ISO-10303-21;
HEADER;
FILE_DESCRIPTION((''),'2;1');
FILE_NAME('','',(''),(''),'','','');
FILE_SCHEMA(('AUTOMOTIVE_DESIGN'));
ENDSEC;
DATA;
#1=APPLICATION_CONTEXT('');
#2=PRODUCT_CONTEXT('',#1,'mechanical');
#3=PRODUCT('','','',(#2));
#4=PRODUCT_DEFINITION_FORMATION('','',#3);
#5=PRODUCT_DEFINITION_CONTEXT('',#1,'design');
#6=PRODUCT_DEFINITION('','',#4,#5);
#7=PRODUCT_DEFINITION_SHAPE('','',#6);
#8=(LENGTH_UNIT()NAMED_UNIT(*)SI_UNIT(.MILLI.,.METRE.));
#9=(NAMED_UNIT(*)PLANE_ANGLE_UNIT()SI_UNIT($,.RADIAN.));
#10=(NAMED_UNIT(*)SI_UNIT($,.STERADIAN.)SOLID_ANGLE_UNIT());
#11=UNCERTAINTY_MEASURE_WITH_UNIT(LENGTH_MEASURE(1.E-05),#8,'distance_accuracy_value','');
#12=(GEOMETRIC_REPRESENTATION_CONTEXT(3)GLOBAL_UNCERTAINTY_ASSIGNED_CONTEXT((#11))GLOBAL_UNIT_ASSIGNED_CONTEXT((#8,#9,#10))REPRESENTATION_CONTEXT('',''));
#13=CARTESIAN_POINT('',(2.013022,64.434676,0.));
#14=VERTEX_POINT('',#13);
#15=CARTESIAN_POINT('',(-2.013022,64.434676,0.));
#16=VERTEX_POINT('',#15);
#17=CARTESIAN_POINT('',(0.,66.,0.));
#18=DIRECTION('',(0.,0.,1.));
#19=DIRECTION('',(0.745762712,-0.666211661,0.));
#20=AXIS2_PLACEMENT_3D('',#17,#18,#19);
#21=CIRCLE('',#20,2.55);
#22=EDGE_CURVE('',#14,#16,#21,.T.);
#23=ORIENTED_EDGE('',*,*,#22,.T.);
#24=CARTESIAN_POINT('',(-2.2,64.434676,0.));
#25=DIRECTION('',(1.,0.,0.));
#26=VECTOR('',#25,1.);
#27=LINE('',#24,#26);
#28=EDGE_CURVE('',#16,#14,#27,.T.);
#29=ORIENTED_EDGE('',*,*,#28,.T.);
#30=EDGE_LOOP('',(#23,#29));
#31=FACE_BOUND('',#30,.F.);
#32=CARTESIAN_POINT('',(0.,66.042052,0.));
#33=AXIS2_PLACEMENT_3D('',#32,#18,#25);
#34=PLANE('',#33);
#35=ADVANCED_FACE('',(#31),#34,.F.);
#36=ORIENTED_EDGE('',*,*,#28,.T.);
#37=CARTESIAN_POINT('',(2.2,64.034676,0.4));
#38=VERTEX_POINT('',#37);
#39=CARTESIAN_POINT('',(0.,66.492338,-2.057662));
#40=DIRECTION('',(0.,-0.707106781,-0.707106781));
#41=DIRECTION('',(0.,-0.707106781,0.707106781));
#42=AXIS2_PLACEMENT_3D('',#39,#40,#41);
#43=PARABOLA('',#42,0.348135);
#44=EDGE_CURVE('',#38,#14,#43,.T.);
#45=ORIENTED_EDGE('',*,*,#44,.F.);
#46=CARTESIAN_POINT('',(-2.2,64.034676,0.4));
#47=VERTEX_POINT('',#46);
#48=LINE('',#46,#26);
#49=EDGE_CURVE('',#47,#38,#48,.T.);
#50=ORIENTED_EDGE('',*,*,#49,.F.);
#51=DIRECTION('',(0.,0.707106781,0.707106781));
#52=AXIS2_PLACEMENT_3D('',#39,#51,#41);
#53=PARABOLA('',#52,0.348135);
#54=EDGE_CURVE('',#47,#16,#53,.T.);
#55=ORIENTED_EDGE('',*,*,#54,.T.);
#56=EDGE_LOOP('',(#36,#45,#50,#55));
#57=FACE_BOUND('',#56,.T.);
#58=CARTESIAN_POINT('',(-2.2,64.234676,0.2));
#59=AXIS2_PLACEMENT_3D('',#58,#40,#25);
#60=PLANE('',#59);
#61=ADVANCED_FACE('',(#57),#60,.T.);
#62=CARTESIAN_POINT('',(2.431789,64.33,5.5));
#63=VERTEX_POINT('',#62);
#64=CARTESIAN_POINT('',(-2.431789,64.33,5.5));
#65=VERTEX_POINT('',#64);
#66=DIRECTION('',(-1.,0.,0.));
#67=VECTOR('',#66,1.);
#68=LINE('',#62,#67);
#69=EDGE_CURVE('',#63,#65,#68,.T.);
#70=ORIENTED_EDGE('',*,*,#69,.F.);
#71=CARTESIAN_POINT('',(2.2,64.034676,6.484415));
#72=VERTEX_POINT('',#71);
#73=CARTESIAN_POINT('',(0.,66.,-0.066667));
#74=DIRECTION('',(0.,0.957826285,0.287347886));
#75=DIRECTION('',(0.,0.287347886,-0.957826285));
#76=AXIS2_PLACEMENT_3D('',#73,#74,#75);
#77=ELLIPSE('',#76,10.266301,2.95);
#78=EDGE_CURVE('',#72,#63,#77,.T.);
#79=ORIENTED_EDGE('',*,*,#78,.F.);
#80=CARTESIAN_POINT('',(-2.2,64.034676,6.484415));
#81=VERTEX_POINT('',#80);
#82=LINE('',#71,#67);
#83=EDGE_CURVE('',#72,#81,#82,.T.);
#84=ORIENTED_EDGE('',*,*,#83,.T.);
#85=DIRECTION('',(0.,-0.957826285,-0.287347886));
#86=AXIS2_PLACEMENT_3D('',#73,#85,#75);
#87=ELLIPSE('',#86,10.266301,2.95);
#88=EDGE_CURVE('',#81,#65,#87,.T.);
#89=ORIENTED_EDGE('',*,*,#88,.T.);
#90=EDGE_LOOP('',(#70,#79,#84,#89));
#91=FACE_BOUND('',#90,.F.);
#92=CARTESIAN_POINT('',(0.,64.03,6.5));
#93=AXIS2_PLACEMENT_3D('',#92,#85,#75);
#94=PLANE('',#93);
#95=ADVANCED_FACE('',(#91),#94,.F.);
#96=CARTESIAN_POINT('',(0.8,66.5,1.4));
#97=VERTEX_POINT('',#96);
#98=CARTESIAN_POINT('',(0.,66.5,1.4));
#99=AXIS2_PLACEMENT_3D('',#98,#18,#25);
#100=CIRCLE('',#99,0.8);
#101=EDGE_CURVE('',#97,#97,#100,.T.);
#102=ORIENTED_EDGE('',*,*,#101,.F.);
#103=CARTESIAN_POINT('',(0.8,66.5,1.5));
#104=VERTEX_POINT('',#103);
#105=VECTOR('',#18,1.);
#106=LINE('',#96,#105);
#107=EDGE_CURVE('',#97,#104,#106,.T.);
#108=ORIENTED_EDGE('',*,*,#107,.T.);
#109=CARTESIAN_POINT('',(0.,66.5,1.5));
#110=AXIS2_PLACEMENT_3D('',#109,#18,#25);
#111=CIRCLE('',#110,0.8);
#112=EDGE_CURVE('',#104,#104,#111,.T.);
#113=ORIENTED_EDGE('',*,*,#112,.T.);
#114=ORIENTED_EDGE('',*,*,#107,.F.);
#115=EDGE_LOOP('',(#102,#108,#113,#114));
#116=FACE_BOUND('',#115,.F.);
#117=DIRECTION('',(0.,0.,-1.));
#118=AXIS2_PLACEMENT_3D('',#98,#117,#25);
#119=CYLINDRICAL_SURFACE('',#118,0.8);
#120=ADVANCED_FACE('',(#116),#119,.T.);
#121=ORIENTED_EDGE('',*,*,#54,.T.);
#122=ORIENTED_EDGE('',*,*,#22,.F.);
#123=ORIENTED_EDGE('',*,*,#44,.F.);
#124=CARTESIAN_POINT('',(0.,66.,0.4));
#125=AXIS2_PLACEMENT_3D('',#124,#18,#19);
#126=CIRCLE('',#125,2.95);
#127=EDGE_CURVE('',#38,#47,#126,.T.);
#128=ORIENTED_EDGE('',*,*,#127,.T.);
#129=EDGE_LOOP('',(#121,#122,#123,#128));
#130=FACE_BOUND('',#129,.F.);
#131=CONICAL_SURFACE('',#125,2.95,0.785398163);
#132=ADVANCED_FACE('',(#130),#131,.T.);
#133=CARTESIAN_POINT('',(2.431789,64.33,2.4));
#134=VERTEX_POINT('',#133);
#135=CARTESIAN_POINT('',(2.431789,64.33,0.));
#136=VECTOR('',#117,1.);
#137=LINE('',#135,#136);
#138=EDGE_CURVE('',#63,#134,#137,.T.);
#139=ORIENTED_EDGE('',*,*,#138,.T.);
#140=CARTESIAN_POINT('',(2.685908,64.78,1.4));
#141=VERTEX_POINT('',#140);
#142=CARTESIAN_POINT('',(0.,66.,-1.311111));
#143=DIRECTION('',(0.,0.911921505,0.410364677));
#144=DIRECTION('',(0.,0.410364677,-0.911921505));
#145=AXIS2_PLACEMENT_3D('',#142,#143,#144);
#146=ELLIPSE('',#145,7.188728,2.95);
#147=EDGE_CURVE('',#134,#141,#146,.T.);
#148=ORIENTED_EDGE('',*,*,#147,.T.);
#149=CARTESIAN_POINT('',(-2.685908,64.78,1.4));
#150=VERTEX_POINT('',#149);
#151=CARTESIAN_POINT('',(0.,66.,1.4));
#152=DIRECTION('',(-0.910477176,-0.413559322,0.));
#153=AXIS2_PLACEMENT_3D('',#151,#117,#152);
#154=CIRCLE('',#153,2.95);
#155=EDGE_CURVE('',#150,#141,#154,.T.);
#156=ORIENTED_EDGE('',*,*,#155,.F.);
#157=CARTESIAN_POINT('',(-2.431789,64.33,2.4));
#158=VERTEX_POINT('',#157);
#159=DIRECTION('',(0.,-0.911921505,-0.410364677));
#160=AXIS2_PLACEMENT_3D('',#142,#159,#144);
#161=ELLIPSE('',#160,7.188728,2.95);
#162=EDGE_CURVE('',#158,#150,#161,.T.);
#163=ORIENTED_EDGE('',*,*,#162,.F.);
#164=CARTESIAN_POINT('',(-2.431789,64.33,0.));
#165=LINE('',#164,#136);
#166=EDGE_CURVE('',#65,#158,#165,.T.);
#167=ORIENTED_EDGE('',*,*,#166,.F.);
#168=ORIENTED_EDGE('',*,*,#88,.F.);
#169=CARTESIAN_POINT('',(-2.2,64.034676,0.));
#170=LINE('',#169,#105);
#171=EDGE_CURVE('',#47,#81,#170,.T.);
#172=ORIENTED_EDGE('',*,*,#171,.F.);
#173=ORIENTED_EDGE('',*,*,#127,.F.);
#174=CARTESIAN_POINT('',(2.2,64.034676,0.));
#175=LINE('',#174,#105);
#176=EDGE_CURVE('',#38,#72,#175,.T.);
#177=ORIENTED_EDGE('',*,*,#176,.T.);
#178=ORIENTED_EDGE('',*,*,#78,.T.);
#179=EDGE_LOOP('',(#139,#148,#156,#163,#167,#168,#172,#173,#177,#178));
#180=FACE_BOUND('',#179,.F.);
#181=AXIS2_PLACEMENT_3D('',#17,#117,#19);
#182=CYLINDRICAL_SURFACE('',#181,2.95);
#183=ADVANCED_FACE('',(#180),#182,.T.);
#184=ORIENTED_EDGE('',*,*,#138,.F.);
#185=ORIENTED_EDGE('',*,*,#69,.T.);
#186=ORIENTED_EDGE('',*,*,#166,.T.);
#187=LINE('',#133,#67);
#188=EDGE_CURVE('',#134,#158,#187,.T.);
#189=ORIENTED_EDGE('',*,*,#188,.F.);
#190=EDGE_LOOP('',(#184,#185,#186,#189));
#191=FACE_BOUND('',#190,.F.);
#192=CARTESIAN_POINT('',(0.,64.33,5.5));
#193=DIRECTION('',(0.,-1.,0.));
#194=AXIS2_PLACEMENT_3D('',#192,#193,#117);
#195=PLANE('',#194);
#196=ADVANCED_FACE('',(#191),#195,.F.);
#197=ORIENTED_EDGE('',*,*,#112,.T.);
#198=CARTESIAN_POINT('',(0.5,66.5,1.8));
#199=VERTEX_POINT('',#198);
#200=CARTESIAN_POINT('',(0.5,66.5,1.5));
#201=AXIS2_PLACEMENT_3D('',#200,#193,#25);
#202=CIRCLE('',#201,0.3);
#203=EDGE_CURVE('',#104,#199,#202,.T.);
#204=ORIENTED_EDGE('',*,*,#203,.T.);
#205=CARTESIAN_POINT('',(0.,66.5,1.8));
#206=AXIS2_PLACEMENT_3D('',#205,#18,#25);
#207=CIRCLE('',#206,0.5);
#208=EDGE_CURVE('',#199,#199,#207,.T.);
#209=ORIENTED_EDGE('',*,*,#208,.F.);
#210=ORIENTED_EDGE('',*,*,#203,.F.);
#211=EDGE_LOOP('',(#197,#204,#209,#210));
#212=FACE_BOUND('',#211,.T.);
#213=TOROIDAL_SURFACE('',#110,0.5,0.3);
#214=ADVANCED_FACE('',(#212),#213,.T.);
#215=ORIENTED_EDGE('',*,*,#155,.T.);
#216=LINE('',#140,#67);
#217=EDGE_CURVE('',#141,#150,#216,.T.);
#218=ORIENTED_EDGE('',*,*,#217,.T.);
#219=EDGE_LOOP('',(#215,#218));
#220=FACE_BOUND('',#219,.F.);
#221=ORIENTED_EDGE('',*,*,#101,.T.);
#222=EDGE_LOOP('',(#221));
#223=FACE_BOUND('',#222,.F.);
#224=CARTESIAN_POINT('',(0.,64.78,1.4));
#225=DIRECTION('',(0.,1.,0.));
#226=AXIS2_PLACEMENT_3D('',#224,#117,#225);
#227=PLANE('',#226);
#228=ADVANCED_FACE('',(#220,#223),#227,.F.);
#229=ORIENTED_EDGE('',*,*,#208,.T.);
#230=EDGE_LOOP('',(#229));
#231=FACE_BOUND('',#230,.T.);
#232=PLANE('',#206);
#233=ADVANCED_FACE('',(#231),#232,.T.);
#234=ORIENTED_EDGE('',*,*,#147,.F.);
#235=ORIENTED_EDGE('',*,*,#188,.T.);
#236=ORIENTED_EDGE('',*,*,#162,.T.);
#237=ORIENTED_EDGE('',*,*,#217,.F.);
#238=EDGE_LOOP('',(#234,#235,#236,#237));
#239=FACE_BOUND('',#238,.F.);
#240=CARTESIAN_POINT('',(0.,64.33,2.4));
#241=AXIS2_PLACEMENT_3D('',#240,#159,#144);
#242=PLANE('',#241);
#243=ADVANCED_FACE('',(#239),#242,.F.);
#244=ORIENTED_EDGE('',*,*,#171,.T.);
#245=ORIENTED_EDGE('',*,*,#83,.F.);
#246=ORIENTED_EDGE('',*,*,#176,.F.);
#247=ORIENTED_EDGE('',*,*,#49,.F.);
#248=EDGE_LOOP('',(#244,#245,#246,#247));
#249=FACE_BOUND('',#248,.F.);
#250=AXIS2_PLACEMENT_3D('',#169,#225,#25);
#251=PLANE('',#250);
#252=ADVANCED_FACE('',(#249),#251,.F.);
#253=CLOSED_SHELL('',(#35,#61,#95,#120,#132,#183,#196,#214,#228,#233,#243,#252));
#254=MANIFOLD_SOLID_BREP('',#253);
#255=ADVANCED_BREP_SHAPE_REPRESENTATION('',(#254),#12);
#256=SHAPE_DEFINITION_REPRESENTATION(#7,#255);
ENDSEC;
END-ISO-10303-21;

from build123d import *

# Parameters (mm, degrees)
PAD008_DEPTH         = 6.5
POCKET007_DEPTH      = 2.951
POCKET007_DEPTH_BACK = 2.951
SKETCH023_R          = 0.8
PAD009_DEPTH         = 0.4
FILLET001_R          = 0.3
CHAMFER007_SIZE      = 0.4


with BuildPart() as part:
    # Sketch022 → Pad008 (new body)
    with BuildSketch(Plane.XY):
        with BuildLine():
            ThreePointArc((2.2, -1.9653244007), (0, 2.95), (-2.2, -1.9653244007))
            Line((-2.2, -1.9653244007), (2.2, -1.9653244007))
        make_face()
    extrude(amount=PAD008_DEPTH)

    # Sketch024 → Pocket007 (cut, two sides)
    with BuildSketch(Plane.YZ) as pocket007_sk:
        Polygon((-1.97, 6.5), (-1.67, 5.5), (-1.67, 2.4), (-1.22, 1.4), (4, 1.4), (4, 6.5), align=None)
    extrude(amount=-POCKET007_DEPTH, mode=Mode.SUBTRACT)
    extrude(pocket007_sk.sketch, amount=POCKET007_DEPTH_BACK, mode=Mode.SUBTRACT)

    # Sketch023 (on Face7 of Pocket007) → Pad009 (join)
    with BuildSketch(Plane.XY.offset(1.4)):
        with Locations((0, 0.5)):
            Circle(SKETCH023_R)
    extrude(amount=PAD009_DEPTH)

    # Fillet001
    fillet001_edges = [part.edges().sort_by_distance(p)[0] for p in [
        (-0.8, 0.5, 1.8),
    ]]
    fillet(fillet001_edges, radius=FILLET001_R)

    # Chamfer007
    chamfer007_edges = [part.edges().sort_by_distance(p)[0] for p in [
        (0, 2.95, 0),
        (0, -1.965324, 0),
    ]]
    chamfer(chamfer007_edges, length=CHAMFER007_SIZE)


with BuildPart() as part_1:
    # Body091 placement: moved
    add(part.part.moved(Location((0, 66, 0))))


solid = part_1.part
